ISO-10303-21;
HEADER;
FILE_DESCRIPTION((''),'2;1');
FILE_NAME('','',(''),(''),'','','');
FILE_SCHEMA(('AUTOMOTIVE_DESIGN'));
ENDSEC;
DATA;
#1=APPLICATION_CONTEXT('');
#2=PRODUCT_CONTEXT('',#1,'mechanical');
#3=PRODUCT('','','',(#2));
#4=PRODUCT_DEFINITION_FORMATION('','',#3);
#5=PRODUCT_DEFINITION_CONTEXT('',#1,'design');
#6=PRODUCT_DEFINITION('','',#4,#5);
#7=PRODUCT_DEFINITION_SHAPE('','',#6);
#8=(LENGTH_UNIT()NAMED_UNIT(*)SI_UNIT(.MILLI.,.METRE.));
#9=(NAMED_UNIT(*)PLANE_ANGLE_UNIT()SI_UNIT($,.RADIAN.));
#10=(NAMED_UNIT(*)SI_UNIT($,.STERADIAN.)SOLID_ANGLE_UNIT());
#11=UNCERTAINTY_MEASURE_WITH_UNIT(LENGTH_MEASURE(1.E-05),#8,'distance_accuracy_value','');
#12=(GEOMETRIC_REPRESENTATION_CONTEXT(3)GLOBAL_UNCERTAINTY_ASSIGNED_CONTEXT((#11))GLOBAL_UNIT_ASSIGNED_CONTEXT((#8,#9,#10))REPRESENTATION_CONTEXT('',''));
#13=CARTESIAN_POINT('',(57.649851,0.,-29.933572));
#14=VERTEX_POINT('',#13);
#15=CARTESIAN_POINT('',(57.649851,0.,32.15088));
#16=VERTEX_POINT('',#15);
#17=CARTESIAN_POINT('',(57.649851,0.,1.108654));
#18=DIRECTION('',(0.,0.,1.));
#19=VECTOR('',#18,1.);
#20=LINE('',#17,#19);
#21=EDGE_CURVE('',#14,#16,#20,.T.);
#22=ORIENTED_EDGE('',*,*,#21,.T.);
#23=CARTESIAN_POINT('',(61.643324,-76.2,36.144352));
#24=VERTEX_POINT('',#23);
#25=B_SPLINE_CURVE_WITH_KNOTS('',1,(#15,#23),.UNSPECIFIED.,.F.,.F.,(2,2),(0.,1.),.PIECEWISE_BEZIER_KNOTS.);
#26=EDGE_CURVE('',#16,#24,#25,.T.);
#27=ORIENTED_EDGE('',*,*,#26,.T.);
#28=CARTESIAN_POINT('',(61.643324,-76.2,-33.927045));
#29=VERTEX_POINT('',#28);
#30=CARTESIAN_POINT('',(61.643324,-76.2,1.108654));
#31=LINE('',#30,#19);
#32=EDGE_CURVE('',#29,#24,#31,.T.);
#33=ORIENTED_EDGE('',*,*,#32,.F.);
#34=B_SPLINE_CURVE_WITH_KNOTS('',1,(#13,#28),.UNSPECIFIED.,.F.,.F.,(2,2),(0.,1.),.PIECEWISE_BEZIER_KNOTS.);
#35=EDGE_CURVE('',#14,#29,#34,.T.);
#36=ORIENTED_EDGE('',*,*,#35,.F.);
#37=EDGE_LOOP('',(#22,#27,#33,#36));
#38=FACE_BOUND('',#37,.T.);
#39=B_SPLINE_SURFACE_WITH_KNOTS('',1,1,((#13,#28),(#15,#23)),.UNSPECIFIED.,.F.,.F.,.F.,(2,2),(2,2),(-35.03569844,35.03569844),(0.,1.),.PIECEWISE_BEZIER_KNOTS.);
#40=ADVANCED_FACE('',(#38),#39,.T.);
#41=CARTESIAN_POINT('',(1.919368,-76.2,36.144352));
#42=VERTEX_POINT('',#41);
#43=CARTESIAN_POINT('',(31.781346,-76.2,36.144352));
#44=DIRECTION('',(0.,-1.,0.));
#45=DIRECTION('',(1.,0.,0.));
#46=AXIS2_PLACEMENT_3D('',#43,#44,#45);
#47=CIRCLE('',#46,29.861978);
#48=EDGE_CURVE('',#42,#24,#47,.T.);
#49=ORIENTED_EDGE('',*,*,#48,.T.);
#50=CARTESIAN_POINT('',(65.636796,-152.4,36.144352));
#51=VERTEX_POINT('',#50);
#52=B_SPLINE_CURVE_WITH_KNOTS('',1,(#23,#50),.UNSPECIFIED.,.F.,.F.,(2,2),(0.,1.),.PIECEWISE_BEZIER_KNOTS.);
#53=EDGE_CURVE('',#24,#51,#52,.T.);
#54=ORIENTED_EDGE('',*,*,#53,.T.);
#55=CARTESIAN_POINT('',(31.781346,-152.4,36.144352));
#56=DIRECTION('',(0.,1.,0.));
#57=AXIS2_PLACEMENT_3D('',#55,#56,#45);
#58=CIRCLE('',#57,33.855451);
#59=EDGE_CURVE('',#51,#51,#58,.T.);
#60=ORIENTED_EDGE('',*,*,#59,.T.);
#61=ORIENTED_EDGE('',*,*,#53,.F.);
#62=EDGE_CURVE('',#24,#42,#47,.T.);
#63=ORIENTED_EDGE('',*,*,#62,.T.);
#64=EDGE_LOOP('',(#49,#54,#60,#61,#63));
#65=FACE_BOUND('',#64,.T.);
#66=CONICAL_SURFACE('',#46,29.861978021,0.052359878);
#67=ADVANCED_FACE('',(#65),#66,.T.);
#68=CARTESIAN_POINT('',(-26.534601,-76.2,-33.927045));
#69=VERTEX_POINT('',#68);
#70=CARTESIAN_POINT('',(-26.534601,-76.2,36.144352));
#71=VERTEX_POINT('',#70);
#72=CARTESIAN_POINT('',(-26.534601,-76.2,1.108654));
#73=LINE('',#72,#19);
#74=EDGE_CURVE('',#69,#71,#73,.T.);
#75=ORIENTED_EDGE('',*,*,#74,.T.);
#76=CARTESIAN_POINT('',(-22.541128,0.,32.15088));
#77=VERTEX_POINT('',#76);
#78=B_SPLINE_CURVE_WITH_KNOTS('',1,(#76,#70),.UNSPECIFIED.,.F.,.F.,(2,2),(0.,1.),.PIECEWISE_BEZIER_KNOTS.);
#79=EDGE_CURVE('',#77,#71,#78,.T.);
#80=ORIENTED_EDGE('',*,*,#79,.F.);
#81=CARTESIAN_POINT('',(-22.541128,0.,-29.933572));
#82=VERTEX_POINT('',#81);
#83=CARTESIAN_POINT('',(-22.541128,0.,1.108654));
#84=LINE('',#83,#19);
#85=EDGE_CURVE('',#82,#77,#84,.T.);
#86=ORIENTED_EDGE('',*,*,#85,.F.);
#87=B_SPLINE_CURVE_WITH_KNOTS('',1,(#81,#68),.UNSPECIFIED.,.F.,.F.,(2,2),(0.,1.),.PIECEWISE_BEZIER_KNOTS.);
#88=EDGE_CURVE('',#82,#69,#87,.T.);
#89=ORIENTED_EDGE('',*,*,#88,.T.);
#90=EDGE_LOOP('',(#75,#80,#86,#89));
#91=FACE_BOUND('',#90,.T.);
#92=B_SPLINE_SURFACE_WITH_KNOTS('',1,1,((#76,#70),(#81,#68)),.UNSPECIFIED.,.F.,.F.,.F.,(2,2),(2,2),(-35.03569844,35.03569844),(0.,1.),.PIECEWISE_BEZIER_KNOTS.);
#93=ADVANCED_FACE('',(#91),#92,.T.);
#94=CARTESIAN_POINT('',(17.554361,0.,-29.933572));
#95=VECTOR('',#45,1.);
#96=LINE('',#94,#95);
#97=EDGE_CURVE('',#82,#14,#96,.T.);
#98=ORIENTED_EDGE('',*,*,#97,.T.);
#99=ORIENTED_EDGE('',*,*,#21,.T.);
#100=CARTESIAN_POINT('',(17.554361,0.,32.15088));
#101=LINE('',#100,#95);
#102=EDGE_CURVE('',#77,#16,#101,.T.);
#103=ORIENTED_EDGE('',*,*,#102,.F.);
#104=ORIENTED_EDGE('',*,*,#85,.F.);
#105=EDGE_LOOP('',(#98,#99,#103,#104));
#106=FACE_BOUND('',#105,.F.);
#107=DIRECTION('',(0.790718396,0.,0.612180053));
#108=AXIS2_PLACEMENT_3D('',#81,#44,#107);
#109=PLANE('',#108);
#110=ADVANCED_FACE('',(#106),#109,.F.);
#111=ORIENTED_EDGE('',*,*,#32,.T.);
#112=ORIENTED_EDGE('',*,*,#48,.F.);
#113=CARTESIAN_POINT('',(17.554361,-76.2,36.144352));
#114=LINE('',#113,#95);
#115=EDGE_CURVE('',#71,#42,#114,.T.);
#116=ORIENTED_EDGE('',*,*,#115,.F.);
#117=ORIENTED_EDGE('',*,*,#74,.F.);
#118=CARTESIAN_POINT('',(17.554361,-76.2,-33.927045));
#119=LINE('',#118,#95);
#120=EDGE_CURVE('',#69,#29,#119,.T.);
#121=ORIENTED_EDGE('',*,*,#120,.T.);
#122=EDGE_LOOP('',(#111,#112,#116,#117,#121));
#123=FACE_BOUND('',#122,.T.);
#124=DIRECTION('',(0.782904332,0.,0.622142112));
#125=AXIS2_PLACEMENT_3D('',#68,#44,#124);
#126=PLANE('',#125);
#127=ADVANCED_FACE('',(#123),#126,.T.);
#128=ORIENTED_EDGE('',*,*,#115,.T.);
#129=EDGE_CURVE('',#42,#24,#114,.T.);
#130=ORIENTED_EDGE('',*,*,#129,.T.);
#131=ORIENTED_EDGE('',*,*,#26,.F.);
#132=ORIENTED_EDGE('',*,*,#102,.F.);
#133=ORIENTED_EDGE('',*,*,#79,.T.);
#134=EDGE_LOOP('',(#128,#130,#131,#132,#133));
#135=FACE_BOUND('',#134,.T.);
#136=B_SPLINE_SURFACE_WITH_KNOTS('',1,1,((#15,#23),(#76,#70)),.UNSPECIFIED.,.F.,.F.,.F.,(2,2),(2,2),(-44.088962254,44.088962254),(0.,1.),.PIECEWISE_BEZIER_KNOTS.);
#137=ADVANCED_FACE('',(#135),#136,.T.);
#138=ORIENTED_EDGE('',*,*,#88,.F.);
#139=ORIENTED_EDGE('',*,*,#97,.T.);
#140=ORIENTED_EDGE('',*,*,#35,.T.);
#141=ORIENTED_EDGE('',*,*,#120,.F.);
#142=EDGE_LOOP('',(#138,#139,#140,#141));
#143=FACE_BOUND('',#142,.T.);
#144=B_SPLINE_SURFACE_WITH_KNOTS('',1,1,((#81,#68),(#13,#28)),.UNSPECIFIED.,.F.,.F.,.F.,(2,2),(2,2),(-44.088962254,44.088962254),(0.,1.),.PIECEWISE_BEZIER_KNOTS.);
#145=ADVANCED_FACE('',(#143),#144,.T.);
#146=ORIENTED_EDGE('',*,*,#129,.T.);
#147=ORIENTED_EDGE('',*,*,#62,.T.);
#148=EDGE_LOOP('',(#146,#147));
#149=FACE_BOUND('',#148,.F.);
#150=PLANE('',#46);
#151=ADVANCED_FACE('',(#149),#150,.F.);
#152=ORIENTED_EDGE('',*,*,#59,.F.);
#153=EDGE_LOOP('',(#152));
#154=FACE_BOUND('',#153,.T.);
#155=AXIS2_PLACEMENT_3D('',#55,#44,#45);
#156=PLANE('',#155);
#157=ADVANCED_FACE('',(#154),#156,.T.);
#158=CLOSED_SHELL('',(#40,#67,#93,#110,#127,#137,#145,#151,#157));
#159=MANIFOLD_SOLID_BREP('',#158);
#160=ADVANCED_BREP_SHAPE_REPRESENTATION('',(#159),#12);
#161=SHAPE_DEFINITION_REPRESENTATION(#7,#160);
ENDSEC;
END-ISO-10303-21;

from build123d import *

# Parameters (mm, degrees)
F0_W     = 80.1909789443
F0_H     = 62.0844513178
F1_DEPTH = 76.2
F1_TAPER = -3
F2_R     = 29.8619780209
F3_DEPTH = 76.2
F3_TAPER = -3


with BuildPart() as f1:
    # F0 (on Front) → F1 (new body)
    with BuildSketch(Plane.XZ):
        with Locations((17.5543613732, 1.1086538434)):
            Rectangle(F0_W, F0_H)
    extrude(amount=F1_DEPTH, taper=F1_TAPER)

    # F2 (on face) → F3 (join)
    with BuildSketch(Plane.XZ.offset(76.2)):
        with Locations((31.7813456059, 36.1443522837)):
            Circle(F2_R)
    extrude(amount=F3_DEPTH, taper=F3_TAPER)


solid = f1.part
